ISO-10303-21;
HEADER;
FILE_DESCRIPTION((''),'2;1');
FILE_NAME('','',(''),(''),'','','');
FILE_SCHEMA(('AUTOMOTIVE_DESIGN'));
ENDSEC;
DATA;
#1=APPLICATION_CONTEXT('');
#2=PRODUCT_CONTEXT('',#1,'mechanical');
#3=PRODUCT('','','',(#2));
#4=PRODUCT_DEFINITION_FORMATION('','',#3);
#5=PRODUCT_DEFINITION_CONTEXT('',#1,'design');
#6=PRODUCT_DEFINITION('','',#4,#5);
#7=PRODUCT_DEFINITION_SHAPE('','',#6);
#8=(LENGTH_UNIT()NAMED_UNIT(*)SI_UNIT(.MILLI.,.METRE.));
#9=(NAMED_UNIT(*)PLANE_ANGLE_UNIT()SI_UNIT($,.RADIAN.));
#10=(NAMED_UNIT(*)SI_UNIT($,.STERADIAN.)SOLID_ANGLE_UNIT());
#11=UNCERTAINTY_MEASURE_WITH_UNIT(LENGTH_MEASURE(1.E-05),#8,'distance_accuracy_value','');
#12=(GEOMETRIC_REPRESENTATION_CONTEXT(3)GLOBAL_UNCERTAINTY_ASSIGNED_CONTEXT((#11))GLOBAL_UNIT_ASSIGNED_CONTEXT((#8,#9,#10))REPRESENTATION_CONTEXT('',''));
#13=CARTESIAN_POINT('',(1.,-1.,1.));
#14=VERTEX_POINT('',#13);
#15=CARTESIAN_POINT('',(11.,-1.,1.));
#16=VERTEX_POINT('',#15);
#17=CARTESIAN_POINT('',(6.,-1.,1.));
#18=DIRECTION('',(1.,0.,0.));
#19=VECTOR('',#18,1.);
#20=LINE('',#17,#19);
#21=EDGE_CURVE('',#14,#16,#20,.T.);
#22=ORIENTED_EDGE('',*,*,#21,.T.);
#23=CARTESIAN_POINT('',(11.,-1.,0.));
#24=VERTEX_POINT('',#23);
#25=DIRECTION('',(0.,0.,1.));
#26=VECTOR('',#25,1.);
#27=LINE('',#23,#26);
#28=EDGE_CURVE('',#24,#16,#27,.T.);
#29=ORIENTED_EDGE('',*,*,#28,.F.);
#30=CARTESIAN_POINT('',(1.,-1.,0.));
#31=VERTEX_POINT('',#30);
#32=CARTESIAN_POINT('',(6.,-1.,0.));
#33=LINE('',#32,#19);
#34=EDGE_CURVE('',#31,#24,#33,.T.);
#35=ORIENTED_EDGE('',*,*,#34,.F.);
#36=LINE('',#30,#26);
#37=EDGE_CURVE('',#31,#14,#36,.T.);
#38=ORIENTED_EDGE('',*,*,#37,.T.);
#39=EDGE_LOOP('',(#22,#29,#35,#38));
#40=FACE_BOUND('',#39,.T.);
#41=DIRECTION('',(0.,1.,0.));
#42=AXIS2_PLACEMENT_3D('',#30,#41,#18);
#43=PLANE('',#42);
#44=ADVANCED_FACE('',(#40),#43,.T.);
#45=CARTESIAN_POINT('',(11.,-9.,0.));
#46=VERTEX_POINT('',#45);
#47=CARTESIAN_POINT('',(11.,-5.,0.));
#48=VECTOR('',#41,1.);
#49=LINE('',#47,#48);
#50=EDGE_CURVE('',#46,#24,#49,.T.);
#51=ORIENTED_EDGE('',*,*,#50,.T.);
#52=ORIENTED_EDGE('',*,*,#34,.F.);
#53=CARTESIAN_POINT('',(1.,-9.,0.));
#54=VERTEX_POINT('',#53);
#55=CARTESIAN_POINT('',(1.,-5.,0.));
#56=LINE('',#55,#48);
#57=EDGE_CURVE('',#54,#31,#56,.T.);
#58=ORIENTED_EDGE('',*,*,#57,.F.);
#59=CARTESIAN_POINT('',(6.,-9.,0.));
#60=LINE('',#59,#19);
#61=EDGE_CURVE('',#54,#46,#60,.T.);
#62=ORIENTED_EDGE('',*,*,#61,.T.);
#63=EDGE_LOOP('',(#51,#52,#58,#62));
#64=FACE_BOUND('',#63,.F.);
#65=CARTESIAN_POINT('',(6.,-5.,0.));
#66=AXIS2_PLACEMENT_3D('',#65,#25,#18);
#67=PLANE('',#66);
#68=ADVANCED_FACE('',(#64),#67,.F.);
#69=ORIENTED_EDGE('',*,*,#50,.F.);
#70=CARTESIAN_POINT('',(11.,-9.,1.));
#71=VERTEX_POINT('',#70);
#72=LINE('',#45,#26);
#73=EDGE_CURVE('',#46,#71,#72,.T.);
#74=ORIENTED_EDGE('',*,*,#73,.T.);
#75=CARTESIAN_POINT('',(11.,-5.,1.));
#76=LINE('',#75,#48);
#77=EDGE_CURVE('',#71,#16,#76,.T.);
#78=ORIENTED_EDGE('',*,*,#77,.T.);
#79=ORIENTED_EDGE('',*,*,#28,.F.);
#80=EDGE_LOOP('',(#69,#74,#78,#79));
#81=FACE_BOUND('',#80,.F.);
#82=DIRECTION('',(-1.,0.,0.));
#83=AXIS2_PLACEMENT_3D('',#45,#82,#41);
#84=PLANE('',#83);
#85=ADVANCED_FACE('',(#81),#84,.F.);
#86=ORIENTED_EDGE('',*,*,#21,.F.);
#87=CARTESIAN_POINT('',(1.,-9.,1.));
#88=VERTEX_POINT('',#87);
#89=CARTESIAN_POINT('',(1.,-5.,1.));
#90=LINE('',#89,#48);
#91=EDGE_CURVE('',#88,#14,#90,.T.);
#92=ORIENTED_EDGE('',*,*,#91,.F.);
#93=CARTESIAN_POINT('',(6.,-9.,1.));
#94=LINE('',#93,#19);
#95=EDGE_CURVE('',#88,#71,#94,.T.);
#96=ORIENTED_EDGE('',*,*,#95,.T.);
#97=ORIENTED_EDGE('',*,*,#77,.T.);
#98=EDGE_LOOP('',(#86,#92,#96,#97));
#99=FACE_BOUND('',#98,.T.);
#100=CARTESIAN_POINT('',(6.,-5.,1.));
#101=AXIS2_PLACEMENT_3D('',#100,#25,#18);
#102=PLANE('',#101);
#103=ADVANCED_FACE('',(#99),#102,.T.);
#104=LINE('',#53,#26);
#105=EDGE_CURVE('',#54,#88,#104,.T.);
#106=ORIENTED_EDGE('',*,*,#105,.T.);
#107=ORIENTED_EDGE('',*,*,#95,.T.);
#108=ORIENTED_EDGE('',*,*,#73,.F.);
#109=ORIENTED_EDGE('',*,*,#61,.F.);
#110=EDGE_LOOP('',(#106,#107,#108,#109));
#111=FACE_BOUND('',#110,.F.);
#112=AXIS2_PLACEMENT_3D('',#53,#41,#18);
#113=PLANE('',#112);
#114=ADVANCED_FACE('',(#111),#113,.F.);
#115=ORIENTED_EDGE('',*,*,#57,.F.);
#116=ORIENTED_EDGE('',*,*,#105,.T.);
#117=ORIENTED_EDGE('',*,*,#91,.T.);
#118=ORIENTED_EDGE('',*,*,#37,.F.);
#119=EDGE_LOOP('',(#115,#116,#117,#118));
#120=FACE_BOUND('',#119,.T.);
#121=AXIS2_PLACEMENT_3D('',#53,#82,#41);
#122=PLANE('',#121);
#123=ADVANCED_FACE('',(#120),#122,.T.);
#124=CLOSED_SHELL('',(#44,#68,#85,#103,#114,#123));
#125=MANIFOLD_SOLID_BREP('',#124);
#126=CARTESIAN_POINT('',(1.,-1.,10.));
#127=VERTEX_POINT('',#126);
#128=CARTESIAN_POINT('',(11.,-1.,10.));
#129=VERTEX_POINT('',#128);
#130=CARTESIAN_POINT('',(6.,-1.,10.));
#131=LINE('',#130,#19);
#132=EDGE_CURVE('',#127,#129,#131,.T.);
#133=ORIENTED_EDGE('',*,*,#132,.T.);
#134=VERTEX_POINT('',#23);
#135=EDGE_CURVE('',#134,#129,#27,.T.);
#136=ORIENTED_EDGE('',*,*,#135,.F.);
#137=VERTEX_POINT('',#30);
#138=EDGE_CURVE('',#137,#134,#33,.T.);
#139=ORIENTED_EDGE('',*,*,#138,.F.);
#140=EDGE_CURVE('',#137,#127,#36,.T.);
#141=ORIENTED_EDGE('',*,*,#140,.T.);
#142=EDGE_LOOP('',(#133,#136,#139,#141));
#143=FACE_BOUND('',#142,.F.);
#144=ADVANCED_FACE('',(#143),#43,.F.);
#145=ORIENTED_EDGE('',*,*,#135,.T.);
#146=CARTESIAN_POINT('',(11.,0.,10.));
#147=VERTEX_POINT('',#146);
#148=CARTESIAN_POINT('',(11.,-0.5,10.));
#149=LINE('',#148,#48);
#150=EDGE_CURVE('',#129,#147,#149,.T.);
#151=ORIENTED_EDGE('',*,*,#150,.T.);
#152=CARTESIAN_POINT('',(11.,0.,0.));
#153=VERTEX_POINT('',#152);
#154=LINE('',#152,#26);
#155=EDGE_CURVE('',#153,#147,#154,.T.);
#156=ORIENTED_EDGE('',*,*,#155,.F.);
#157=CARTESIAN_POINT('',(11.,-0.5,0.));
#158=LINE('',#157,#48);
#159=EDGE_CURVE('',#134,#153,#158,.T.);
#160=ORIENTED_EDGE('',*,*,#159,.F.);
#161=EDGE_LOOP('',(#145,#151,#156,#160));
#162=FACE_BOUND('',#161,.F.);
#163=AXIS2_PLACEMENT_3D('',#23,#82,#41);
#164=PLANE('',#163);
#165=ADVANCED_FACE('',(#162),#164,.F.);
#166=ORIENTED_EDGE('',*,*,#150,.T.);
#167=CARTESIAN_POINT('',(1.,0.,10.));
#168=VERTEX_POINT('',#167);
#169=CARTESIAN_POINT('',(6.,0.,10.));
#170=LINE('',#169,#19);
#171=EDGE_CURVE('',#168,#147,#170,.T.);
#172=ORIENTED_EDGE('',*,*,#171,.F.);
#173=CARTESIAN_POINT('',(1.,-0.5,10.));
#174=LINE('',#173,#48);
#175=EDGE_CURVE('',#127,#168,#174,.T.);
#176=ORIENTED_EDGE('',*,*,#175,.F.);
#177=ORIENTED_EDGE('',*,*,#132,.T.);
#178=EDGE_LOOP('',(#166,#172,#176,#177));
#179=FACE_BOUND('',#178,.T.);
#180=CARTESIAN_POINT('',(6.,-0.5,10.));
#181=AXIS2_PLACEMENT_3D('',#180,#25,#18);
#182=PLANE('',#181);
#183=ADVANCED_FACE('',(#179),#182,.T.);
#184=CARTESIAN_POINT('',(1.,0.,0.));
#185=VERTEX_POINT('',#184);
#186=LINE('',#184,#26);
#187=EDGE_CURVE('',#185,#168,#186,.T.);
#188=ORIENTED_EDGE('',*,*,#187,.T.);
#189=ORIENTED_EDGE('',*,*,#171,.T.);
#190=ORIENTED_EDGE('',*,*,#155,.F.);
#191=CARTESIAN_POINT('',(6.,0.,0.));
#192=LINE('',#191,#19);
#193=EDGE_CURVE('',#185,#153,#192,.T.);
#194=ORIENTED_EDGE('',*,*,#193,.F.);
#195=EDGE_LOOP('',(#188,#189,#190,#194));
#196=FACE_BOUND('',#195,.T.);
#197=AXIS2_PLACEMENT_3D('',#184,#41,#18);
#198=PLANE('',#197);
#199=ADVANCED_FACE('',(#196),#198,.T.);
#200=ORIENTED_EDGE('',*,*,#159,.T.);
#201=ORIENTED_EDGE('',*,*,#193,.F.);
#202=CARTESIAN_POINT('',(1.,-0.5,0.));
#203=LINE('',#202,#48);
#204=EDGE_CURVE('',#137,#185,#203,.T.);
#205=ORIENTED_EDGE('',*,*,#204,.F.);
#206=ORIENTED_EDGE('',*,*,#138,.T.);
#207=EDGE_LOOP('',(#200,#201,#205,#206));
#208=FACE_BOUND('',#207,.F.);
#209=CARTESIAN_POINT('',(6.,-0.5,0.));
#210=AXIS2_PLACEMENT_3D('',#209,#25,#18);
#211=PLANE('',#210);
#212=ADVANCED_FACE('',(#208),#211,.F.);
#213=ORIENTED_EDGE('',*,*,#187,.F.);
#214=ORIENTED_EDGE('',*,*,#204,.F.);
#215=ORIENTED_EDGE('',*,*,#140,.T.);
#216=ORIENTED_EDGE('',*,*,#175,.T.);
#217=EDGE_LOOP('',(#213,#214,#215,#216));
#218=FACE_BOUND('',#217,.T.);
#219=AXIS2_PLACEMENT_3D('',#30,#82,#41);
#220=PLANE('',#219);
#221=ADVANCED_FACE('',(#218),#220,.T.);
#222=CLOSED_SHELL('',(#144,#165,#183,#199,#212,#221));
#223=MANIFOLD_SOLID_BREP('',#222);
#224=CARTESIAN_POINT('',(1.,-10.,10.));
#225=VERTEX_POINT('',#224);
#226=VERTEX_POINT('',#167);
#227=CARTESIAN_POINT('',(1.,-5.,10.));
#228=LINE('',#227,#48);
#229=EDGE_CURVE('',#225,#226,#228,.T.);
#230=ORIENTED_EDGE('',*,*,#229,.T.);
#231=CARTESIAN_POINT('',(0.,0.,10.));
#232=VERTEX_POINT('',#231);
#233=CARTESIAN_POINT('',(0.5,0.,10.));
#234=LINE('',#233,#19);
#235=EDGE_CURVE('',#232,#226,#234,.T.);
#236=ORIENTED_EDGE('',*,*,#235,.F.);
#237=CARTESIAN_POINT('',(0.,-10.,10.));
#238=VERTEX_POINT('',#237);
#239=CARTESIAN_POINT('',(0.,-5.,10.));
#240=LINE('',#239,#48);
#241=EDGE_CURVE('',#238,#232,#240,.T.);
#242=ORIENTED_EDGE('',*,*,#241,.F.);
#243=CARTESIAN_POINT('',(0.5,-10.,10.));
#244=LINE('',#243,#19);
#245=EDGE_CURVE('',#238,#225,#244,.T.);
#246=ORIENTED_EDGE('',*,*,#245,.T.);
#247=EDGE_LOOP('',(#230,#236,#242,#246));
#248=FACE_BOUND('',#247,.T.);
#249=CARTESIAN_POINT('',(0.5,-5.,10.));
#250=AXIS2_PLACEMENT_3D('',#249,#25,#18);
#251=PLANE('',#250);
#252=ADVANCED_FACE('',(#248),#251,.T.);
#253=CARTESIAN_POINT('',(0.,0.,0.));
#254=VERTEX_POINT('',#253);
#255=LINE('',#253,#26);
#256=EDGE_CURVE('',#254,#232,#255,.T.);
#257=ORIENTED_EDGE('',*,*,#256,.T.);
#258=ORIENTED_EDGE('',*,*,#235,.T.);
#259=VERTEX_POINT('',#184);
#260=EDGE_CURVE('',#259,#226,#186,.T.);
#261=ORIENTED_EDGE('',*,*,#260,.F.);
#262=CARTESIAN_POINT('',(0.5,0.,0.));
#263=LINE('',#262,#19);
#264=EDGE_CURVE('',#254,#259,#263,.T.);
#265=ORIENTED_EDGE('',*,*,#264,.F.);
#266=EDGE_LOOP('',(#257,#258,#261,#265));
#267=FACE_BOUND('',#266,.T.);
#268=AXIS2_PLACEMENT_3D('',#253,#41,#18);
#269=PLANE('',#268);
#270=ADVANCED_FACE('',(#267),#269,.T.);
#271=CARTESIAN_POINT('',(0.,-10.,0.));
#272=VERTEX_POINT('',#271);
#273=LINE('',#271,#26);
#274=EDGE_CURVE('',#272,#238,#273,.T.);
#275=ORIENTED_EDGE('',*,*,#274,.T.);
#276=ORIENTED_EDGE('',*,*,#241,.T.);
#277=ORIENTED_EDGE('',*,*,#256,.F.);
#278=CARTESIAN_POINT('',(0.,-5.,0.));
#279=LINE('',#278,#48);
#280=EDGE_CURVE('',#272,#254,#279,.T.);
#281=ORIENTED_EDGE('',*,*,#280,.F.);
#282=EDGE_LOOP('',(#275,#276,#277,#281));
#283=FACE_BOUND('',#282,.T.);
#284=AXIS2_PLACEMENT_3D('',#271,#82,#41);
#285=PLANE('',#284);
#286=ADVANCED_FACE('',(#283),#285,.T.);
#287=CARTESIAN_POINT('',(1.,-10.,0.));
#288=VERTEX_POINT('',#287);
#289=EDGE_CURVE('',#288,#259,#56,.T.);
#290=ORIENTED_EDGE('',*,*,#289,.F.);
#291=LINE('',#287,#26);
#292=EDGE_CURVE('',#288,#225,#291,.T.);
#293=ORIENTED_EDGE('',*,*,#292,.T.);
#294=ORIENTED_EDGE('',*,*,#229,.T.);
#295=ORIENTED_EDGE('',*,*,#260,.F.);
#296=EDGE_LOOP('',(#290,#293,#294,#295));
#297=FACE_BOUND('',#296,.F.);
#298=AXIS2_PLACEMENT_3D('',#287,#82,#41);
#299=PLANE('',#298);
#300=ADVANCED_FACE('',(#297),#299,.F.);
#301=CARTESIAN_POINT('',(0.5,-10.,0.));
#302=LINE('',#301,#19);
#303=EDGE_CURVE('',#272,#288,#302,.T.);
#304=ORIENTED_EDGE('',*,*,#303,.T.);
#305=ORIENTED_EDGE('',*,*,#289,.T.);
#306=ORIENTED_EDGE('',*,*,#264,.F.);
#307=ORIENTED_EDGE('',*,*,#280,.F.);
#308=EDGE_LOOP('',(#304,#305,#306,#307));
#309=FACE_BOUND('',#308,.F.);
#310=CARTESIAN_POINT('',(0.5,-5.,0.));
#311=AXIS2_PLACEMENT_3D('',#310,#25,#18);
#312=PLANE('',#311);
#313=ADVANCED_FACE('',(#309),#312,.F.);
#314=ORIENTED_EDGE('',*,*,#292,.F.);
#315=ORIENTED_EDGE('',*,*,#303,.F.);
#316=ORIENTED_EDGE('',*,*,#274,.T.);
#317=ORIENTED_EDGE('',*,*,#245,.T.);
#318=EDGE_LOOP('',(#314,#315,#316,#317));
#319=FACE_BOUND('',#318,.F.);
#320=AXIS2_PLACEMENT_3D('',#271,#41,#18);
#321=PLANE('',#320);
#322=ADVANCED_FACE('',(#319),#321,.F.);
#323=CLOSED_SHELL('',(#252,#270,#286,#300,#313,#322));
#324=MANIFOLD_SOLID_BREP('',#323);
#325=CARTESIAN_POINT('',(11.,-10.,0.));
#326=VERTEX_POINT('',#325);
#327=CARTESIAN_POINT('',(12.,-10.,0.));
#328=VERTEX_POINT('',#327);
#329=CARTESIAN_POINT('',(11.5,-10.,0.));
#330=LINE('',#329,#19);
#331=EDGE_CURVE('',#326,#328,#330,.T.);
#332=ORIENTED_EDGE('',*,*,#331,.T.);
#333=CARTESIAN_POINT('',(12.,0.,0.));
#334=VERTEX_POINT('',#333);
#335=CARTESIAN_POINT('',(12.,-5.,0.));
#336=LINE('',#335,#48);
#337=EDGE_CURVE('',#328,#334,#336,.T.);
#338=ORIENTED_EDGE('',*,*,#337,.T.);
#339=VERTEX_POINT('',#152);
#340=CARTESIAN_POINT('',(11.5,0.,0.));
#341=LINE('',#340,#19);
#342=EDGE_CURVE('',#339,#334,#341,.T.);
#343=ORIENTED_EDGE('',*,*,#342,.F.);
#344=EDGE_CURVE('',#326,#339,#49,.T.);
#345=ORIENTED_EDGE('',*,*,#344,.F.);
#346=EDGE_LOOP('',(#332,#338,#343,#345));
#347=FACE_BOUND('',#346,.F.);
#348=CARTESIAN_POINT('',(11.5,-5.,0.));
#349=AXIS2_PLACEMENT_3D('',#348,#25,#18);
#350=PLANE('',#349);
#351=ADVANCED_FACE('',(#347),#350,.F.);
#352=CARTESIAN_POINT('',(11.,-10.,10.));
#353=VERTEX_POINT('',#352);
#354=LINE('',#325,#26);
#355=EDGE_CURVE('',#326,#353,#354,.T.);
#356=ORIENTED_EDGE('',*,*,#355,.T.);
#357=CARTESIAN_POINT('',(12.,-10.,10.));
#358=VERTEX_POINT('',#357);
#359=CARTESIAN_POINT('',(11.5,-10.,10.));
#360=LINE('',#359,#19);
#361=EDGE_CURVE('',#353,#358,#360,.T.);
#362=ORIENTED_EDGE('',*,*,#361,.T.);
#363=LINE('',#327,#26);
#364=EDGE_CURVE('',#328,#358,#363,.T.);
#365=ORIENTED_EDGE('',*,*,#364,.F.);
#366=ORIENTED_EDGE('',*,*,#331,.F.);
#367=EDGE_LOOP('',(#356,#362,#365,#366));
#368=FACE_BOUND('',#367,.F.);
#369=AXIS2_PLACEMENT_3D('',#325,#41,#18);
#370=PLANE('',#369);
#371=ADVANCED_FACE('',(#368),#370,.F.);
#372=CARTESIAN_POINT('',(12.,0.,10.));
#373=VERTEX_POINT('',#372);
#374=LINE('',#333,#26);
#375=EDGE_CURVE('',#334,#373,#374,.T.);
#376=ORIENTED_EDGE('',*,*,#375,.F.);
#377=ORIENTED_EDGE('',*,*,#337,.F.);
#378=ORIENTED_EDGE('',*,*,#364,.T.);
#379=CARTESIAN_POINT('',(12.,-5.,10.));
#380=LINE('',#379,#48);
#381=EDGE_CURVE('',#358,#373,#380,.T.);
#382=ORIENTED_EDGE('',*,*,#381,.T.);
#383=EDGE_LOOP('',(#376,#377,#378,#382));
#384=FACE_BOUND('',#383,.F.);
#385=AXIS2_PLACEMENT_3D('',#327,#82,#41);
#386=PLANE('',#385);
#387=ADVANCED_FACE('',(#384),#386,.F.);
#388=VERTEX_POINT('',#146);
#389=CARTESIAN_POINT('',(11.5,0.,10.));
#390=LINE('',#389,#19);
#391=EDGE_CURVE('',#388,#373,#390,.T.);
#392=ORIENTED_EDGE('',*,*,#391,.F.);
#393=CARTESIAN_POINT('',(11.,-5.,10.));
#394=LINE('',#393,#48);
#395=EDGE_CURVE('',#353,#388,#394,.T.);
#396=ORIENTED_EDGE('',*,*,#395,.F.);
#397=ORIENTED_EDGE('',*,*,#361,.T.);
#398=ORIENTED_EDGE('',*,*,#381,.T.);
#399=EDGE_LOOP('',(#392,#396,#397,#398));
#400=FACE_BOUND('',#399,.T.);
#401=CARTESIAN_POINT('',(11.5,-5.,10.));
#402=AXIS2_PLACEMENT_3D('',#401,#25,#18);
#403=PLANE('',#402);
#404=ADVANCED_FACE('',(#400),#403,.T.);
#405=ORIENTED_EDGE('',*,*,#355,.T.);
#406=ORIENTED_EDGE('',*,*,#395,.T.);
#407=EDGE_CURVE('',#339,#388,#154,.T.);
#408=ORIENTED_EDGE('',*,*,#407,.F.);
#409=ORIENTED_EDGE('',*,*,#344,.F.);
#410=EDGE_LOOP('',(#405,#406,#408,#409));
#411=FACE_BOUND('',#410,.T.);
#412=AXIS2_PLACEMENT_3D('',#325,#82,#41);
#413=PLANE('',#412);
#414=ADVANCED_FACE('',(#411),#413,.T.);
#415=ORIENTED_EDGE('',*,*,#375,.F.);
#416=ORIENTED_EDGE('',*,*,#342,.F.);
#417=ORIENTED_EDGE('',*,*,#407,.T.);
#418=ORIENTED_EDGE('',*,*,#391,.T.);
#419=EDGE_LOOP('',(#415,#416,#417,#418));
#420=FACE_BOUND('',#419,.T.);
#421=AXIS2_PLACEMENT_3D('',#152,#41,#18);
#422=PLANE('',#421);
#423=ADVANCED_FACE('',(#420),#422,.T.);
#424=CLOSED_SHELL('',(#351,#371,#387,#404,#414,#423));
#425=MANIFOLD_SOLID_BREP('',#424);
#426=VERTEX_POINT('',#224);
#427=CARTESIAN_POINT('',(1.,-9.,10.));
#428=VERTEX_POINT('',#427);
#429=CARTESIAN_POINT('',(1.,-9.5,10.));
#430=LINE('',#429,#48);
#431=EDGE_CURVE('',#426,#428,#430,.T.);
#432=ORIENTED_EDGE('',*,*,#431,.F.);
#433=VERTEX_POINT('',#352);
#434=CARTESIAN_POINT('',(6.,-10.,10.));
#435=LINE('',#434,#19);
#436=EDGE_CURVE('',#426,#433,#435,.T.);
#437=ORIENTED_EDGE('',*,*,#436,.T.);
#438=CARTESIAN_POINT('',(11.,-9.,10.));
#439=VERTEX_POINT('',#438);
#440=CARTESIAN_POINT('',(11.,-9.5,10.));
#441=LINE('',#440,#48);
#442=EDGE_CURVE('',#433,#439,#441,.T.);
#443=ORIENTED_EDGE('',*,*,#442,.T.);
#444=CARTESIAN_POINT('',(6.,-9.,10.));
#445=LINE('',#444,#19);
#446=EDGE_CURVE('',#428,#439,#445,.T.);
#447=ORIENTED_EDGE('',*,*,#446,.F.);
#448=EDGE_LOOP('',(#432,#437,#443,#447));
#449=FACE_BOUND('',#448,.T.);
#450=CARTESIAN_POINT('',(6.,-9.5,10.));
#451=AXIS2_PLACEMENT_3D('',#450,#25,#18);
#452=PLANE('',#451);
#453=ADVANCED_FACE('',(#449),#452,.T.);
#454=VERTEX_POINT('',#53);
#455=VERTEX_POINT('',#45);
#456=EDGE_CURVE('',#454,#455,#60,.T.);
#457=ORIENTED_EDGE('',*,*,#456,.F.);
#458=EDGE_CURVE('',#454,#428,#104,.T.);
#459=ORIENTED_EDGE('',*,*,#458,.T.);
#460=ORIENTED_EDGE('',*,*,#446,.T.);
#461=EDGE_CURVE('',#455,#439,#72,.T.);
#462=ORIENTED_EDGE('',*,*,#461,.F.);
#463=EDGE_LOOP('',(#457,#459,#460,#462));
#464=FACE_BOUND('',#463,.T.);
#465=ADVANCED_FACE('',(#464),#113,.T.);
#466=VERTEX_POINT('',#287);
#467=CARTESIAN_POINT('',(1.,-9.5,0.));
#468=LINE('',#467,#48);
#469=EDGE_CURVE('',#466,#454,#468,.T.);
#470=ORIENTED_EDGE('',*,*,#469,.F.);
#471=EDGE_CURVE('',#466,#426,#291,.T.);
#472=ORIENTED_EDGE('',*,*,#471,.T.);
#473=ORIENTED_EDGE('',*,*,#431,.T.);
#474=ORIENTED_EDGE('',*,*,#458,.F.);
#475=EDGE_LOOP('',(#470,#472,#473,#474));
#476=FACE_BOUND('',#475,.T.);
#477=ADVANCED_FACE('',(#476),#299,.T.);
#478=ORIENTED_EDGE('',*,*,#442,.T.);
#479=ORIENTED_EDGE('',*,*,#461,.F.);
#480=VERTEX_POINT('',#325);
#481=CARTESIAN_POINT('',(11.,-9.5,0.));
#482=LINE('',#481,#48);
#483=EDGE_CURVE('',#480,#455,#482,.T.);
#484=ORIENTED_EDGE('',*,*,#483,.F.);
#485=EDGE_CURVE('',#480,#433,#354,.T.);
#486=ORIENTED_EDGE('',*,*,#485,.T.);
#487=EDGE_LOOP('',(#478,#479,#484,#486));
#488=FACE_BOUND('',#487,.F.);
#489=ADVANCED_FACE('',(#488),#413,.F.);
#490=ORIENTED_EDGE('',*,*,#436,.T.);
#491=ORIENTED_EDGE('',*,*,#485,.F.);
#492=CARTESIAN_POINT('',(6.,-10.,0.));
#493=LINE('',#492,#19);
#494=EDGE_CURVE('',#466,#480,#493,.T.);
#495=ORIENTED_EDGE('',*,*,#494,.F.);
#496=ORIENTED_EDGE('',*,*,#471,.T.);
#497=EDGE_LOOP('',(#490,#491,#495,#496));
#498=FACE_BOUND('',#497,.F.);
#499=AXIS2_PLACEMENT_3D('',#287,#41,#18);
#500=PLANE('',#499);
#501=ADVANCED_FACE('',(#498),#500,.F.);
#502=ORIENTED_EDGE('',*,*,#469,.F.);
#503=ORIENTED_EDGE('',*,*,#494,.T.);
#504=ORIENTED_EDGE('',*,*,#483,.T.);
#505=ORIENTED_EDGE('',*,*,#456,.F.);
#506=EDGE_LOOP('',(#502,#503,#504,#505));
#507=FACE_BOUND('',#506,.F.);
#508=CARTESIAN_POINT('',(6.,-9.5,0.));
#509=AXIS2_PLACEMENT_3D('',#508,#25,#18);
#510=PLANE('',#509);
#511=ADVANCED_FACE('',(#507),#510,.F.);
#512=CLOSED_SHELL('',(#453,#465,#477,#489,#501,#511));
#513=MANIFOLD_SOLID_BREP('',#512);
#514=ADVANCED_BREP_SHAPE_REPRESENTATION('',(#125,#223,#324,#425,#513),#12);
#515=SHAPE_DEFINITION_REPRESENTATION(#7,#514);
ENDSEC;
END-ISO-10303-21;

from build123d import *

# Parameters (mm, degrees)
F0_W     = 1
F0_H     = 10
F1_DEPTH = 10
F2_W     = 10
F2_H     = 1
F3_DEPTH = 10
F4_W     = 10
F4_H     = 1
F5_DEPTH = 10
F6_W     = 1
F6_H     = 10
F7_DEPTH = 10
F8_W     = 10
F8_H     = 8
F9_DEPTH = 1


with BuildPart() as f1:
    # F0 (on Top) → F1 (new body)
    with BuildSketch(Plane.XY):
        with Locations((0.5, -5)):
            Rectangle(F0_W, F0_H)
    extrude(amount=F1_DEPTH)


with BuildPart() as f3:
    # F2 (on Top) → F3 (new body)
    with BuildSketch(Plane.XY):
        with Locations((6, -9.5)):
            Rectangle(F2_W, F2_H)
    extrude(amount=F3_DEPTH)


with BuildPart() as f5:
    # F4 (on Top) → F5 (new body)
    with BuildSketch(Plane.XY):
        with Locations((6, -0.5)):
            Rectangle(F4_W, F4_H)
    extrude(amount=F5_DEPTH)


with BuildPart() as f7:
    # F6 (on Top) → F7 (new body)
    with BuildSketch(Plane.XY):
        with Locations((11.5, -5)):
            Rectangle(F6_W, F6_H)
    extrude(amount=F7_DEPTH)


with BuildPart() as f9:
    # F8 (on Top) → F9 (new body)
    with BuildSketch(Plane.XY):
        with Locations((6, -5)):
            Rectangle(F8_W, F8_H)
    extrude(amount=F9_DEPTH)


solid = Compound([f1.part, f3.part, f5.part, f7.part, f9.part])
